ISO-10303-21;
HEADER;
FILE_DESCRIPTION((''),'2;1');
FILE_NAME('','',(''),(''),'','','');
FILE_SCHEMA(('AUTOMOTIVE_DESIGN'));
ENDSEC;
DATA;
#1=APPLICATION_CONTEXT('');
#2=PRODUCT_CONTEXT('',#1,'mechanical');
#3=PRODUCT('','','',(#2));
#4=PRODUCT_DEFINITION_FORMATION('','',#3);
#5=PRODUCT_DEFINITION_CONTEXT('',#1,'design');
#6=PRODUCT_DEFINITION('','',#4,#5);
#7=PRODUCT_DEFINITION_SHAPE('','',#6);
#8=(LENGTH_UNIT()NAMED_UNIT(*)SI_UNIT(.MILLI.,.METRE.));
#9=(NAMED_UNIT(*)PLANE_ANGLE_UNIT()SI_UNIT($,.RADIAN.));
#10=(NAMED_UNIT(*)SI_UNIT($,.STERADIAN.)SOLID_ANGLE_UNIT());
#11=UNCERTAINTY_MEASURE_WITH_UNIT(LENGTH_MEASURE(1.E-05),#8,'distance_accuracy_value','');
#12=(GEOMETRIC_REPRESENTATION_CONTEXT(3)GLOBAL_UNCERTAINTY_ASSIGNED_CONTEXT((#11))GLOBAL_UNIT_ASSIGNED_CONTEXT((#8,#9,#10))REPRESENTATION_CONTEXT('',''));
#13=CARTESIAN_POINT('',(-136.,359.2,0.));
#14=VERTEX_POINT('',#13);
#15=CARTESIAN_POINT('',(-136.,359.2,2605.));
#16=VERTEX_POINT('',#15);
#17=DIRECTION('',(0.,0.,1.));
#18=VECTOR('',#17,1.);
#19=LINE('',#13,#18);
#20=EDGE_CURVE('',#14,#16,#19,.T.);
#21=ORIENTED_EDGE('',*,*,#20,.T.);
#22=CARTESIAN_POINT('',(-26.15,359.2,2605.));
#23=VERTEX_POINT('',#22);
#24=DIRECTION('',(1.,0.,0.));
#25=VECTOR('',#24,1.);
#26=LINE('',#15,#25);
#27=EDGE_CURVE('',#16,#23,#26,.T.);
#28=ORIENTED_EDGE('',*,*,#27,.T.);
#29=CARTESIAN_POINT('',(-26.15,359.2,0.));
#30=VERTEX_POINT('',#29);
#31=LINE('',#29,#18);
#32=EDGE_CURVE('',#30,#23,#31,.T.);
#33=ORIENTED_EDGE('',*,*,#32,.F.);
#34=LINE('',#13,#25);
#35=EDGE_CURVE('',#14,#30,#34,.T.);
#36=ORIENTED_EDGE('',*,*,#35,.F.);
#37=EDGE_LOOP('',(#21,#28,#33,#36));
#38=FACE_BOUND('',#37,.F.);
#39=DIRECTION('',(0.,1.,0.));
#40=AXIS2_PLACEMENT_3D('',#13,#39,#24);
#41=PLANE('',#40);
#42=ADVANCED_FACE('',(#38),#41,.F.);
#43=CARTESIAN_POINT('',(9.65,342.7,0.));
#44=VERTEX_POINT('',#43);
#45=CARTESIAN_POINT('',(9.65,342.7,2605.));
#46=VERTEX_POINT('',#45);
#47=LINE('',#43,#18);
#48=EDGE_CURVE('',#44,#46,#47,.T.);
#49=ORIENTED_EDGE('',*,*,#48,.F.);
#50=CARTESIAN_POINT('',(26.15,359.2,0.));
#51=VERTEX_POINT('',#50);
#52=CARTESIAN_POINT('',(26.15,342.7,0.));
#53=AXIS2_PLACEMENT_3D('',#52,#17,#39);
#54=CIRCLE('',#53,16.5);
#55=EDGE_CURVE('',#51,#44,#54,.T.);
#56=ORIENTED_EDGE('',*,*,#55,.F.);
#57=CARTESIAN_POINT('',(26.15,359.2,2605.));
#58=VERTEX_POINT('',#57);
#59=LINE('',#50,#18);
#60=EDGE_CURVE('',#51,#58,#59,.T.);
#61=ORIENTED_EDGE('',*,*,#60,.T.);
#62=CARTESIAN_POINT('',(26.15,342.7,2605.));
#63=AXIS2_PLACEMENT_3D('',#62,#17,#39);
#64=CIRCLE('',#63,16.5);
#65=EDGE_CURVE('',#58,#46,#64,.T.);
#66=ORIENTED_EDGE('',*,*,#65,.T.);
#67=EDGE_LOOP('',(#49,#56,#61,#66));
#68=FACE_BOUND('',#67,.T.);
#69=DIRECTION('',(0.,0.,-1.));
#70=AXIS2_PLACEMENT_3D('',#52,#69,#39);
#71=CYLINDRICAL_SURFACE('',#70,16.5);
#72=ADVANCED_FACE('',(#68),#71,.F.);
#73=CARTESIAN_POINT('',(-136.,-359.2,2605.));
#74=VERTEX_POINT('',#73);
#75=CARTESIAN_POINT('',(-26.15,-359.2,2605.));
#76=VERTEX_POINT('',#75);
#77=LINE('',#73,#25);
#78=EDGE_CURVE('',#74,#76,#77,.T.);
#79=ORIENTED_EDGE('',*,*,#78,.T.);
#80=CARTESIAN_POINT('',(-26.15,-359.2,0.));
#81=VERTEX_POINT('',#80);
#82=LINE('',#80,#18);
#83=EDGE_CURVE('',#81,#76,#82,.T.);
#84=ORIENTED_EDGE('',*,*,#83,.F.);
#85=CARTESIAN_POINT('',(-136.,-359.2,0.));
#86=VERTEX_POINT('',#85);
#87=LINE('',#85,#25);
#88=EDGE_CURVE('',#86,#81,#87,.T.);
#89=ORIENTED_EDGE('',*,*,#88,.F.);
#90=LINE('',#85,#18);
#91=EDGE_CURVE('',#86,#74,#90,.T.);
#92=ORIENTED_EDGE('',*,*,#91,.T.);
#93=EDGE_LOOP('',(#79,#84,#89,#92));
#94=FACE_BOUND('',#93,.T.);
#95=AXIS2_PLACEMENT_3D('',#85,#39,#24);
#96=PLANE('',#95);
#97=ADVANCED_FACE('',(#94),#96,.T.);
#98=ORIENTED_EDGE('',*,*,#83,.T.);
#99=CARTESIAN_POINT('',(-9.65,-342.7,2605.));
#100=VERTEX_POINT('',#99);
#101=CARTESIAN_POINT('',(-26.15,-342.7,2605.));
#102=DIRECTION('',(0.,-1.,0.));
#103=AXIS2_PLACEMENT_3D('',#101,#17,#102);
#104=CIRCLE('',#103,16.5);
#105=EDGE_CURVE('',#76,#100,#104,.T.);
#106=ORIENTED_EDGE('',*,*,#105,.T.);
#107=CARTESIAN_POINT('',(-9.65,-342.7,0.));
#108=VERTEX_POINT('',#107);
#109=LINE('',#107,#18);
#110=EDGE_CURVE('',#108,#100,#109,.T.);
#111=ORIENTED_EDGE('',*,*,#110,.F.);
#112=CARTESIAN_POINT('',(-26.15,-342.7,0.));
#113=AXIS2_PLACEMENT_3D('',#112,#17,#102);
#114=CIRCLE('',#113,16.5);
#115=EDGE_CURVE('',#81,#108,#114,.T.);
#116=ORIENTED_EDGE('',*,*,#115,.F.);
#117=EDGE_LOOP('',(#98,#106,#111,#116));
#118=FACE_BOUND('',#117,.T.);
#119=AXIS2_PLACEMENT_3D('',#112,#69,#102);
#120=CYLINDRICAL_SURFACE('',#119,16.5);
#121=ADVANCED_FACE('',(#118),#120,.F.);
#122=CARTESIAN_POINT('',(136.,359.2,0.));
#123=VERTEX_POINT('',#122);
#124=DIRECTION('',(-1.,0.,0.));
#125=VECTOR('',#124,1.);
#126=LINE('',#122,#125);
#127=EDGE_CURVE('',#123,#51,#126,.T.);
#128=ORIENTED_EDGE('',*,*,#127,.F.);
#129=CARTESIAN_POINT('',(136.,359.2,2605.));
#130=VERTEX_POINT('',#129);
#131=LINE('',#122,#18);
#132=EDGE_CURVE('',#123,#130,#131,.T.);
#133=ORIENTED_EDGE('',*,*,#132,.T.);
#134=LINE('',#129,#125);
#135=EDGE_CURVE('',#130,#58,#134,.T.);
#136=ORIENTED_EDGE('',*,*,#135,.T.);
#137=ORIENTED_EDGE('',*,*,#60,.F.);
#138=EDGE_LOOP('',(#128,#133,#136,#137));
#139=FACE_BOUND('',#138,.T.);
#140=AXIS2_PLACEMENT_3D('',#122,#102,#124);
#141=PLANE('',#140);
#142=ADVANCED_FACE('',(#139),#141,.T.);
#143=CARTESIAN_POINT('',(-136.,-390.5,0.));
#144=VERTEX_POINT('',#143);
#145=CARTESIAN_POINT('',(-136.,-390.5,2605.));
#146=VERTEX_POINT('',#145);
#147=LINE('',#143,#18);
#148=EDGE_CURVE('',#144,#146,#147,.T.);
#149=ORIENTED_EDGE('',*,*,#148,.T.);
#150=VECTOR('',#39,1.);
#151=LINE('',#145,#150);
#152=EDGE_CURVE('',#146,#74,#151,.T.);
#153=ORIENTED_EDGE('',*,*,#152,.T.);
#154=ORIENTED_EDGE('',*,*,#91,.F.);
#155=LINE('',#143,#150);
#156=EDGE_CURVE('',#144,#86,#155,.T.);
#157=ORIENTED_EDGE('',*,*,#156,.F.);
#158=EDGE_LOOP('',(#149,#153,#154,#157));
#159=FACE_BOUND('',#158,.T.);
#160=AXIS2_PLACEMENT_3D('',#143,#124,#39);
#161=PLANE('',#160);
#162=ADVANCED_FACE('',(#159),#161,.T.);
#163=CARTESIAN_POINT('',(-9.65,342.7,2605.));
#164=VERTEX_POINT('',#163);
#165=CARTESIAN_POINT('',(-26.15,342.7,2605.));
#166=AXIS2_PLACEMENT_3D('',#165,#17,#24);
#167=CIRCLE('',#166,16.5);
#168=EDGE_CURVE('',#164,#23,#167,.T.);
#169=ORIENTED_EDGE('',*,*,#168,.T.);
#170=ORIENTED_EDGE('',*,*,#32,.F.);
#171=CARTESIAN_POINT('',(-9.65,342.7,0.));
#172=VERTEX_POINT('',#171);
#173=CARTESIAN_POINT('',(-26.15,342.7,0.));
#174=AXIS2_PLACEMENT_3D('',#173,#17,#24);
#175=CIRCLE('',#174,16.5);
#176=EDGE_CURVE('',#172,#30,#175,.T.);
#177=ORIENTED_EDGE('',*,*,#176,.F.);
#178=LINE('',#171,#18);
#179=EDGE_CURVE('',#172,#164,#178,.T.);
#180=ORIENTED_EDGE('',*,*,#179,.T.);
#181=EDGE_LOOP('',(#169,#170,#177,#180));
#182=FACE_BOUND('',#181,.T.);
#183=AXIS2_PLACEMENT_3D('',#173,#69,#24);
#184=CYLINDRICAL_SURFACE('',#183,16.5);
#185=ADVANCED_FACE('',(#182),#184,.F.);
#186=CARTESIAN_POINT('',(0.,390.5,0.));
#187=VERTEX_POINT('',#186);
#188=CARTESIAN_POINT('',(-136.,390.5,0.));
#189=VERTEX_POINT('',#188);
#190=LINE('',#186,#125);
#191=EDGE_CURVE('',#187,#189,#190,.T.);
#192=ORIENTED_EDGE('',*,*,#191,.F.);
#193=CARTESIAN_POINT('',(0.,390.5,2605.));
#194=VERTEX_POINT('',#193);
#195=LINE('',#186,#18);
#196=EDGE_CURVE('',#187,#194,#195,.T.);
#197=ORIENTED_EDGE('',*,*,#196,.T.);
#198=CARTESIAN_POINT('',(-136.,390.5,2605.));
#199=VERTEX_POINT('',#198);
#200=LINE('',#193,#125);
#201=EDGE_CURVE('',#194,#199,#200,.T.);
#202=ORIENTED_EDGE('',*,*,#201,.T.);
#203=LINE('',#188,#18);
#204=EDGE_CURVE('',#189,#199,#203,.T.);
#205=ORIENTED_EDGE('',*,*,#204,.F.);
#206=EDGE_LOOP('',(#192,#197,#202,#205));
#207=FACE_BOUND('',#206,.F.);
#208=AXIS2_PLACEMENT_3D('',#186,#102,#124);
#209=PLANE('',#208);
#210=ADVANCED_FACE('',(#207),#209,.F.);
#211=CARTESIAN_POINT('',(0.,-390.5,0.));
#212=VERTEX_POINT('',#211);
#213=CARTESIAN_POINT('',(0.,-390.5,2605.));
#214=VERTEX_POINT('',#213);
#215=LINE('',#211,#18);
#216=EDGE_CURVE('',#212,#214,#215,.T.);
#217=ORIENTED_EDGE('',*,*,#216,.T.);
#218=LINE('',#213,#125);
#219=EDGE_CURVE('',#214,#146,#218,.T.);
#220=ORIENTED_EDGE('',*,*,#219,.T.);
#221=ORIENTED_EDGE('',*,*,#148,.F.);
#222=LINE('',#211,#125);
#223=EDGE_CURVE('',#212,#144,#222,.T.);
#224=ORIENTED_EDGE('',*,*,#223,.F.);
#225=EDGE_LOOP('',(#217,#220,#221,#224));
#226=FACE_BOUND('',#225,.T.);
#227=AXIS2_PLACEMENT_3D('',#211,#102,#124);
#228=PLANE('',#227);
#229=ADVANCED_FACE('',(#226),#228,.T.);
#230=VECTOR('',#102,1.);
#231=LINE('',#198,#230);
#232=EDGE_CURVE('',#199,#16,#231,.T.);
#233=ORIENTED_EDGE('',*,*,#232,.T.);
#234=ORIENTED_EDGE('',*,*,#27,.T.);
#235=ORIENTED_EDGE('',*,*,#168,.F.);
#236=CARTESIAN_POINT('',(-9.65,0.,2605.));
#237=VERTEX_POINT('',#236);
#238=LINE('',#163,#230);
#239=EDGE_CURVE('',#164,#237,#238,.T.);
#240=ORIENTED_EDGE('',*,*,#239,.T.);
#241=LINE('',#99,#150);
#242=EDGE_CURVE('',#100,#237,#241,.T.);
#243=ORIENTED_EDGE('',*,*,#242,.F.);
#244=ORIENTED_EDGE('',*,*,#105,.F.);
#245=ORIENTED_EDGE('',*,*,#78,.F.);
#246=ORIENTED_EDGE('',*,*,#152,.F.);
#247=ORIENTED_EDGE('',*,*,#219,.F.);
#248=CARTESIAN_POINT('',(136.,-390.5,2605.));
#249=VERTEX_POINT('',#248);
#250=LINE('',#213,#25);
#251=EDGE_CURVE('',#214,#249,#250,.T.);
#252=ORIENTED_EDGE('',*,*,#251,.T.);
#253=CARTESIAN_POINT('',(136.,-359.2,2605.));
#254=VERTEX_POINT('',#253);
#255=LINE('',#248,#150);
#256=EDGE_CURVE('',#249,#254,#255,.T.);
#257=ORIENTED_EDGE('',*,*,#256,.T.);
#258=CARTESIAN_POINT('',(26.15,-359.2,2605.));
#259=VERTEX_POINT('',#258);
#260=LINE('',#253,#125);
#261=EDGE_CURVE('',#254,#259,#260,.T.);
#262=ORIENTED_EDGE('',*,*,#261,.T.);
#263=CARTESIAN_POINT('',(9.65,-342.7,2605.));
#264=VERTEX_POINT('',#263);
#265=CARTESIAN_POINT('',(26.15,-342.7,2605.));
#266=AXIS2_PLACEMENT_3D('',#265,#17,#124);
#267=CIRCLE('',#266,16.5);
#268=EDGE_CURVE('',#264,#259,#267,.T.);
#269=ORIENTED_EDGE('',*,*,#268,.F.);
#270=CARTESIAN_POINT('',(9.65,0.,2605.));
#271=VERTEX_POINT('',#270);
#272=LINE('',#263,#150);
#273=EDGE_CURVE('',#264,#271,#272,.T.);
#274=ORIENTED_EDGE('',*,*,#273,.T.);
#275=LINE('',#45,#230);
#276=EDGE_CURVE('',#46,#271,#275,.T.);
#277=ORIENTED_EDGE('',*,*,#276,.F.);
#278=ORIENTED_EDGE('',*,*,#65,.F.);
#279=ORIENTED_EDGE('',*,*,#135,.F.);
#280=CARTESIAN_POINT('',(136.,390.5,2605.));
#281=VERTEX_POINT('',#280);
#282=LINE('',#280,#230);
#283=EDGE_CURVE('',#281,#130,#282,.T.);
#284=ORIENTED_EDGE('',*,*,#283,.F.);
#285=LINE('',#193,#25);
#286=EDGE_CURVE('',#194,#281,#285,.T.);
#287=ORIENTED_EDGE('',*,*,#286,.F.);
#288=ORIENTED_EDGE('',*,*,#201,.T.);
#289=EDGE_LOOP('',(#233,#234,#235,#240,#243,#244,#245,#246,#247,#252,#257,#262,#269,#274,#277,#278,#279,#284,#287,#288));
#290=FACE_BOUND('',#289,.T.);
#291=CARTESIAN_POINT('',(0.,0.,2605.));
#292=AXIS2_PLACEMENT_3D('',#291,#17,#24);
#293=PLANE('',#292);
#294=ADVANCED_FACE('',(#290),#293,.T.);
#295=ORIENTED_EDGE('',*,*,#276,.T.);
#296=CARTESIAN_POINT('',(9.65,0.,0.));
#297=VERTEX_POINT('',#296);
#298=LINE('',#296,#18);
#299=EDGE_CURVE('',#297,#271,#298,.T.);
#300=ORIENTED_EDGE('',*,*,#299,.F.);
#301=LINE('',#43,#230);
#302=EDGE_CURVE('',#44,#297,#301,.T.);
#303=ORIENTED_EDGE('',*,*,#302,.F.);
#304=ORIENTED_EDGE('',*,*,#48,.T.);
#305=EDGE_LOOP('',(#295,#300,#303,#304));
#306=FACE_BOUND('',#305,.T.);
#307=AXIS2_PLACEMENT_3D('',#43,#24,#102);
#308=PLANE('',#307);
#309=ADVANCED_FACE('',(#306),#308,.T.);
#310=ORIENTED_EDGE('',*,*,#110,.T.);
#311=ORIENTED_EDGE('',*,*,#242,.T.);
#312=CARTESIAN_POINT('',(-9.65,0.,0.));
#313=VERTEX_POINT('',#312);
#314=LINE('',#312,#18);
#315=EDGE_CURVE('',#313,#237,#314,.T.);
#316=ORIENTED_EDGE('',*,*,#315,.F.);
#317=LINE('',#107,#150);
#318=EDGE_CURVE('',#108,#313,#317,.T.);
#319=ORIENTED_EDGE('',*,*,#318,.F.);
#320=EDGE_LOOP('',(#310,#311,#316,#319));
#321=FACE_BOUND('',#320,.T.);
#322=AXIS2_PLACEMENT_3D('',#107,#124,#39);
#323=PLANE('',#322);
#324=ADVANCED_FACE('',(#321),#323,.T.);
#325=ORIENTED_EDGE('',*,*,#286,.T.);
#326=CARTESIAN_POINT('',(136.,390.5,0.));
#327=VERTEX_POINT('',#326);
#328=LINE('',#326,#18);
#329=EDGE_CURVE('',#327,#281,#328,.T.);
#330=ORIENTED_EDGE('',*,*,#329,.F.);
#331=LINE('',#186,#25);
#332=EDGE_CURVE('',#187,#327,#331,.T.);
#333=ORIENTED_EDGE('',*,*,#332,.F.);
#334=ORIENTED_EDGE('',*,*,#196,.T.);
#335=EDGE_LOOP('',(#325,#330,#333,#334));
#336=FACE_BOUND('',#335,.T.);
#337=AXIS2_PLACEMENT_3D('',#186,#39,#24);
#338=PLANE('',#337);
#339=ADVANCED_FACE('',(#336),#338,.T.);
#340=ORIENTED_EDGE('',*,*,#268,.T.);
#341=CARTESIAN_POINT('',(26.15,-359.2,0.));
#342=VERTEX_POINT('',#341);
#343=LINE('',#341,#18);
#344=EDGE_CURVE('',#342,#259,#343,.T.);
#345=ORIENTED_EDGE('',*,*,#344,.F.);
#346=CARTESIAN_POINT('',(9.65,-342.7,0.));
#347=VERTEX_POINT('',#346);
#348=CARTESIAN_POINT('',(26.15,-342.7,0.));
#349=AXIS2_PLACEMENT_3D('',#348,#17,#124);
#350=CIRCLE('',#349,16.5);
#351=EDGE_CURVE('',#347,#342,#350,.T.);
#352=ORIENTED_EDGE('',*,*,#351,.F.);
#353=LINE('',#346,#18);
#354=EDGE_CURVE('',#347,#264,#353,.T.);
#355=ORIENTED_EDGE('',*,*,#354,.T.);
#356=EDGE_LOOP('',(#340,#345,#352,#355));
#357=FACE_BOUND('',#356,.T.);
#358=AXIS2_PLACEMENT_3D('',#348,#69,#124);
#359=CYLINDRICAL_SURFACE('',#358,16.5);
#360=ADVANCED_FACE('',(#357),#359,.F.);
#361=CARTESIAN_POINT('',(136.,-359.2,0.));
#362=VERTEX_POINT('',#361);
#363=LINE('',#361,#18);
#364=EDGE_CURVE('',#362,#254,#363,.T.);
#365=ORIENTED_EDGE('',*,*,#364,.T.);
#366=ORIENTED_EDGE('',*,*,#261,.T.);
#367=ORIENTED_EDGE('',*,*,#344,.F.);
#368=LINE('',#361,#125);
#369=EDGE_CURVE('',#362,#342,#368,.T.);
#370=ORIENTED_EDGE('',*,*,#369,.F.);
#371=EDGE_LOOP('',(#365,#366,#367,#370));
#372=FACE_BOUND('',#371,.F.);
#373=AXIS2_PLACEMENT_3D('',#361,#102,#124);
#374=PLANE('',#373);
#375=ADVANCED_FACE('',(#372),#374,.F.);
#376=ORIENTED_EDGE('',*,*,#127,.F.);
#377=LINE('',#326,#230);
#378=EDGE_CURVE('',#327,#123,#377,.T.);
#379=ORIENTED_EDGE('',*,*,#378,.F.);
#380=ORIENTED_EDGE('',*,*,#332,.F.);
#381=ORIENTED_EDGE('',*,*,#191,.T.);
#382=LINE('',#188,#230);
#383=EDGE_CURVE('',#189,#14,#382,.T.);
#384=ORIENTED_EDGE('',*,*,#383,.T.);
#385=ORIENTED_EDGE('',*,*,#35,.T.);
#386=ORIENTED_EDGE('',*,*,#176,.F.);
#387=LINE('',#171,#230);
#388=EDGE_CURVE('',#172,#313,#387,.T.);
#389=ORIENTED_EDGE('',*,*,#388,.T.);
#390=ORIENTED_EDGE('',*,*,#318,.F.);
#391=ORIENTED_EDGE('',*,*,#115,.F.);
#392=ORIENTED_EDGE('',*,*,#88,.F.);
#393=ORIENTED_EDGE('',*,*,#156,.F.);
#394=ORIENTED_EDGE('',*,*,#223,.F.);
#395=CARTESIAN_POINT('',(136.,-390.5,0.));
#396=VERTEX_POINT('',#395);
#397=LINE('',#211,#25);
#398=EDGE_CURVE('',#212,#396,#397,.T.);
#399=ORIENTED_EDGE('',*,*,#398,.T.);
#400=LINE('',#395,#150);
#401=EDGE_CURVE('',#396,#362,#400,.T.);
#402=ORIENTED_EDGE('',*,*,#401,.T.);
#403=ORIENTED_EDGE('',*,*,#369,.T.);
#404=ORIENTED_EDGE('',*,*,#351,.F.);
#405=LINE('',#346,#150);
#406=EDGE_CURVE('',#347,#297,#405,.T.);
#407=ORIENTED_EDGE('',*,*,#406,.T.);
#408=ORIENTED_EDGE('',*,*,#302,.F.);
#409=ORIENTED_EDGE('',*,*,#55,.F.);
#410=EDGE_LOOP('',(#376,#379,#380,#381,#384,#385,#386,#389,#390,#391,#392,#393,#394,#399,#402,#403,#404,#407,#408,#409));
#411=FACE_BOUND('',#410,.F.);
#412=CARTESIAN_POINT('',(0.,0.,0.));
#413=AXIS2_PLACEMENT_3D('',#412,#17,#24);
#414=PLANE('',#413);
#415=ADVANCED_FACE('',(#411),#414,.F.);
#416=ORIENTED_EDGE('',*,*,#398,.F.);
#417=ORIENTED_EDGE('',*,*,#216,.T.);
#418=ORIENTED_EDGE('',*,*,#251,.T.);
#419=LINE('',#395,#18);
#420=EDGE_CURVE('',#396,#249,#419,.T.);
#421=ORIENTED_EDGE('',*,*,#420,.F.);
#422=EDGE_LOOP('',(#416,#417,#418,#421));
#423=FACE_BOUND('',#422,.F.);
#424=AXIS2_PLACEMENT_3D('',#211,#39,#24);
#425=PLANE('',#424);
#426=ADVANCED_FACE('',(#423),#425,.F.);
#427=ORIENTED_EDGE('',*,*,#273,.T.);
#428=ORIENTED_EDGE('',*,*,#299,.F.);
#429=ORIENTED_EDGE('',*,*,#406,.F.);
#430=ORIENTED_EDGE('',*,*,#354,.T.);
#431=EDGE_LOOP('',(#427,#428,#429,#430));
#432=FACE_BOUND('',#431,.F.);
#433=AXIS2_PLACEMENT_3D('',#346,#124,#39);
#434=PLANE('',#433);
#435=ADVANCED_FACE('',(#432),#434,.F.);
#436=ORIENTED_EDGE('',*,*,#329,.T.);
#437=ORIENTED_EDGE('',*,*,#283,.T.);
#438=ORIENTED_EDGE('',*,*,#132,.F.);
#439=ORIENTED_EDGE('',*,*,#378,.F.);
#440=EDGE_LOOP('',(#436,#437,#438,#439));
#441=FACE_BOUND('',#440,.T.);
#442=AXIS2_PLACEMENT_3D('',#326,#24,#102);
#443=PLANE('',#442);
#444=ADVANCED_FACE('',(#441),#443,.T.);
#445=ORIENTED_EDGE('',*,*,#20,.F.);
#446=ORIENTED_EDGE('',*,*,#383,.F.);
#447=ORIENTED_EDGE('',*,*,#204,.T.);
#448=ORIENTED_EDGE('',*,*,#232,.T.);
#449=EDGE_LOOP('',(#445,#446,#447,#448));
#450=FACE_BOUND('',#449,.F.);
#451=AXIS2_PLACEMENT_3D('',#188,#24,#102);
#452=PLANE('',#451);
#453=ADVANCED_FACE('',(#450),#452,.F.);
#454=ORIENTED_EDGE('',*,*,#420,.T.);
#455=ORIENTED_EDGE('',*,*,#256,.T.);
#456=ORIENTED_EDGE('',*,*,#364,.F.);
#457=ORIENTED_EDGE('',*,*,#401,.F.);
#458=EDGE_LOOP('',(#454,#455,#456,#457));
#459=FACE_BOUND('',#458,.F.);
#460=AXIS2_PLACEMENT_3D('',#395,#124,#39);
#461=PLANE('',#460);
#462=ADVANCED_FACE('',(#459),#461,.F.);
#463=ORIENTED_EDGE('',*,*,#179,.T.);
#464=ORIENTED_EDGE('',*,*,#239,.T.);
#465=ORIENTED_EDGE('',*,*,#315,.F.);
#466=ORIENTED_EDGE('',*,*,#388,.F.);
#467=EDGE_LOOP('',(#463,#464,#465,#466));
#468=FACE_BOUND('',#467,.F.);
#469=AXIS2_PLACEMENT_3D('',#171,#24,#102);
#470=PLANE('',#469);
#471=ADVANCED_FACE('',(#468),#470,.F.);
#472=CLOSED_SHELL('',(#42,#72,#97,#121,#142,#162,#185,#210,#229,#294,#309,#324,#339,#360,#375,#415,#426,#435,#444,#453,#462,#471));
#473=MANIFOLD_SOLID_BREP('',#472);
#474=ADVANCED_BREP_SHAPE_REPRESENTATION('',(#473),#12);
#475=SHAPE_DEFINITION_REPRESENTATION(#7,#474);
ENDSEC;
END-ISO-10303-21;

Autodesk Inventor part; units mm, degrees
ref_plane "YZ Plane" through (0, 0, 0) normal (1, 0, 0) x (0, 1, 0)
ref_plane "Start plane" through (0, 0, 0) normal (0, 0, 1) x (1, 0, 0)
ref_plane "End plane" through (0, 0, 2605) normal (0, 0, 1) x (1, 0, 0)
sketch "Sketch" plane through (0, 0, 0) normal (0, 0, 1) x (1, 0, 0)
  line L0 (-136, -390.5) -> (-136, -359.2)
  line L1 (-136, -359.2) -> (-26.15, -359.2)
  line L2 (-9.65, -342.7) -> (-9.65, 0)
  line L3 (-9.65, 0) -> (0, 0) construction
  line L4 (0, 0) -> (0, -390.5) construction
  line L5 (0, -390.5) -> (-136, -390.5)
  line L6 (-60, 0) -> (80, 0) construction
  line L7 (0, -60) -> (0, 80) construction
  line L8 (136, -390.5) -> (136, -359.2)
  line L9 (136, -359.2) -> (26.15, -359.2)
  line L10 (9.65, -342.7) -> (9.65, 0)
  line L11 (9.65, 0) -> (0, 0) construction
  line L12 (0, -390.5) -> (136, -390.5)
  line L13 (-136, 390.5) -> (-136, 359.2)
  line L14 (-136, 359.2) -> (-26.15, 359.2)
  line L15 (-9.65, 342.7) -> (-9.65, 0)
  line L16 (0, 390.5) -> (-136, 390.5)
  line L17 (136, 390.5) -> (136, 359.2)
  line L18 (136, 359.2) -> (26.15, 359.2)
  line L19 (0, 390.5) -> (136, 390.5)
  line L20 (9.65, 342.7) -> (9.65, 0)
  arc A0 (-9.65, 342.7) -> (-26.15, 359.2) centre (-26.15, 342.7) ccw
  arc A1 (26.15, 359.2) -> (9.65, 342.7) centre (26.15, 342.7) ccw
  arc A2 (9.65, -342.7) -> (26.15, -359.2) centre (26.15, -342.7) ccw
  arc A3 (-26.15, -359.2) -> (-9.65, -342.7) centre (-26.15, -342.7) ccw
  line L21 (0, 108) -> (0, -88) construction
  line L22 (-88, 0) -> (108, 0) construction
  point P0 (-9.65, -359.2)
  point P1 (9.65, -359.2)
  point P2 (-9.65, 359.2)
  point P3 (9.65, 359.2)
  dimension "d1" = 390.5
  dimension "d2" = 31.3
  dimension "d3" = 136
  dimension "d4" = 9.65
  dimension "d10" = 16.5
extrude "Body" add sketch "Sketch" along normal up to surface (2605 mm away) from surface at 0
sketch "Sketch4" plane through (0, 0, 0) normal (0, 0, 1) x (1, 0, 0)
  line L0 (0, 0) -> (10, 0)
ref_plane "Work Plane3" through (0, 0, 0) normal (0, -1, 0) x (1, 0, 0)
sketch "Sketch5" plane through (0, 0, 0) normal (0, -1, 0) x (1, 0, 0)
  line L0 (-2, 0) -> (12, 0) projected
  line L1 (-2, 2605) -> (12, 2605) projected
  dimension "d14" = 2605
equation "\"d1\" = 0.5 * G_H"
equation "\"d2\" = G_T1"
equation "\"d3\" = 0.5 * G_W"
equation "\"d4\" = 0.5 * G_T"
equation "\"d10\" = G_IR"
equation "\"d5\" = G_L"
equation "\"G_W\" = 272"
equation "\"G_H\" = 781"
equation "\"G_T\" = 19.3"
equation "\"G_T1\" = 31.3"
equation "\"G_IR\" = 16.5"
equation "\"G_L\" = d14"
equation "\"G_OFFSET_START\" = 0"
equation "\"G_OFFSET_END\" = 0"
equation "\"d12\" = G_OFFSET_END + B_L"
equation "\"B_L\" = 2605"
properties part number "AS 3679-1990 - 760 UB - 244 - 2605" material "Steel, Mild"
